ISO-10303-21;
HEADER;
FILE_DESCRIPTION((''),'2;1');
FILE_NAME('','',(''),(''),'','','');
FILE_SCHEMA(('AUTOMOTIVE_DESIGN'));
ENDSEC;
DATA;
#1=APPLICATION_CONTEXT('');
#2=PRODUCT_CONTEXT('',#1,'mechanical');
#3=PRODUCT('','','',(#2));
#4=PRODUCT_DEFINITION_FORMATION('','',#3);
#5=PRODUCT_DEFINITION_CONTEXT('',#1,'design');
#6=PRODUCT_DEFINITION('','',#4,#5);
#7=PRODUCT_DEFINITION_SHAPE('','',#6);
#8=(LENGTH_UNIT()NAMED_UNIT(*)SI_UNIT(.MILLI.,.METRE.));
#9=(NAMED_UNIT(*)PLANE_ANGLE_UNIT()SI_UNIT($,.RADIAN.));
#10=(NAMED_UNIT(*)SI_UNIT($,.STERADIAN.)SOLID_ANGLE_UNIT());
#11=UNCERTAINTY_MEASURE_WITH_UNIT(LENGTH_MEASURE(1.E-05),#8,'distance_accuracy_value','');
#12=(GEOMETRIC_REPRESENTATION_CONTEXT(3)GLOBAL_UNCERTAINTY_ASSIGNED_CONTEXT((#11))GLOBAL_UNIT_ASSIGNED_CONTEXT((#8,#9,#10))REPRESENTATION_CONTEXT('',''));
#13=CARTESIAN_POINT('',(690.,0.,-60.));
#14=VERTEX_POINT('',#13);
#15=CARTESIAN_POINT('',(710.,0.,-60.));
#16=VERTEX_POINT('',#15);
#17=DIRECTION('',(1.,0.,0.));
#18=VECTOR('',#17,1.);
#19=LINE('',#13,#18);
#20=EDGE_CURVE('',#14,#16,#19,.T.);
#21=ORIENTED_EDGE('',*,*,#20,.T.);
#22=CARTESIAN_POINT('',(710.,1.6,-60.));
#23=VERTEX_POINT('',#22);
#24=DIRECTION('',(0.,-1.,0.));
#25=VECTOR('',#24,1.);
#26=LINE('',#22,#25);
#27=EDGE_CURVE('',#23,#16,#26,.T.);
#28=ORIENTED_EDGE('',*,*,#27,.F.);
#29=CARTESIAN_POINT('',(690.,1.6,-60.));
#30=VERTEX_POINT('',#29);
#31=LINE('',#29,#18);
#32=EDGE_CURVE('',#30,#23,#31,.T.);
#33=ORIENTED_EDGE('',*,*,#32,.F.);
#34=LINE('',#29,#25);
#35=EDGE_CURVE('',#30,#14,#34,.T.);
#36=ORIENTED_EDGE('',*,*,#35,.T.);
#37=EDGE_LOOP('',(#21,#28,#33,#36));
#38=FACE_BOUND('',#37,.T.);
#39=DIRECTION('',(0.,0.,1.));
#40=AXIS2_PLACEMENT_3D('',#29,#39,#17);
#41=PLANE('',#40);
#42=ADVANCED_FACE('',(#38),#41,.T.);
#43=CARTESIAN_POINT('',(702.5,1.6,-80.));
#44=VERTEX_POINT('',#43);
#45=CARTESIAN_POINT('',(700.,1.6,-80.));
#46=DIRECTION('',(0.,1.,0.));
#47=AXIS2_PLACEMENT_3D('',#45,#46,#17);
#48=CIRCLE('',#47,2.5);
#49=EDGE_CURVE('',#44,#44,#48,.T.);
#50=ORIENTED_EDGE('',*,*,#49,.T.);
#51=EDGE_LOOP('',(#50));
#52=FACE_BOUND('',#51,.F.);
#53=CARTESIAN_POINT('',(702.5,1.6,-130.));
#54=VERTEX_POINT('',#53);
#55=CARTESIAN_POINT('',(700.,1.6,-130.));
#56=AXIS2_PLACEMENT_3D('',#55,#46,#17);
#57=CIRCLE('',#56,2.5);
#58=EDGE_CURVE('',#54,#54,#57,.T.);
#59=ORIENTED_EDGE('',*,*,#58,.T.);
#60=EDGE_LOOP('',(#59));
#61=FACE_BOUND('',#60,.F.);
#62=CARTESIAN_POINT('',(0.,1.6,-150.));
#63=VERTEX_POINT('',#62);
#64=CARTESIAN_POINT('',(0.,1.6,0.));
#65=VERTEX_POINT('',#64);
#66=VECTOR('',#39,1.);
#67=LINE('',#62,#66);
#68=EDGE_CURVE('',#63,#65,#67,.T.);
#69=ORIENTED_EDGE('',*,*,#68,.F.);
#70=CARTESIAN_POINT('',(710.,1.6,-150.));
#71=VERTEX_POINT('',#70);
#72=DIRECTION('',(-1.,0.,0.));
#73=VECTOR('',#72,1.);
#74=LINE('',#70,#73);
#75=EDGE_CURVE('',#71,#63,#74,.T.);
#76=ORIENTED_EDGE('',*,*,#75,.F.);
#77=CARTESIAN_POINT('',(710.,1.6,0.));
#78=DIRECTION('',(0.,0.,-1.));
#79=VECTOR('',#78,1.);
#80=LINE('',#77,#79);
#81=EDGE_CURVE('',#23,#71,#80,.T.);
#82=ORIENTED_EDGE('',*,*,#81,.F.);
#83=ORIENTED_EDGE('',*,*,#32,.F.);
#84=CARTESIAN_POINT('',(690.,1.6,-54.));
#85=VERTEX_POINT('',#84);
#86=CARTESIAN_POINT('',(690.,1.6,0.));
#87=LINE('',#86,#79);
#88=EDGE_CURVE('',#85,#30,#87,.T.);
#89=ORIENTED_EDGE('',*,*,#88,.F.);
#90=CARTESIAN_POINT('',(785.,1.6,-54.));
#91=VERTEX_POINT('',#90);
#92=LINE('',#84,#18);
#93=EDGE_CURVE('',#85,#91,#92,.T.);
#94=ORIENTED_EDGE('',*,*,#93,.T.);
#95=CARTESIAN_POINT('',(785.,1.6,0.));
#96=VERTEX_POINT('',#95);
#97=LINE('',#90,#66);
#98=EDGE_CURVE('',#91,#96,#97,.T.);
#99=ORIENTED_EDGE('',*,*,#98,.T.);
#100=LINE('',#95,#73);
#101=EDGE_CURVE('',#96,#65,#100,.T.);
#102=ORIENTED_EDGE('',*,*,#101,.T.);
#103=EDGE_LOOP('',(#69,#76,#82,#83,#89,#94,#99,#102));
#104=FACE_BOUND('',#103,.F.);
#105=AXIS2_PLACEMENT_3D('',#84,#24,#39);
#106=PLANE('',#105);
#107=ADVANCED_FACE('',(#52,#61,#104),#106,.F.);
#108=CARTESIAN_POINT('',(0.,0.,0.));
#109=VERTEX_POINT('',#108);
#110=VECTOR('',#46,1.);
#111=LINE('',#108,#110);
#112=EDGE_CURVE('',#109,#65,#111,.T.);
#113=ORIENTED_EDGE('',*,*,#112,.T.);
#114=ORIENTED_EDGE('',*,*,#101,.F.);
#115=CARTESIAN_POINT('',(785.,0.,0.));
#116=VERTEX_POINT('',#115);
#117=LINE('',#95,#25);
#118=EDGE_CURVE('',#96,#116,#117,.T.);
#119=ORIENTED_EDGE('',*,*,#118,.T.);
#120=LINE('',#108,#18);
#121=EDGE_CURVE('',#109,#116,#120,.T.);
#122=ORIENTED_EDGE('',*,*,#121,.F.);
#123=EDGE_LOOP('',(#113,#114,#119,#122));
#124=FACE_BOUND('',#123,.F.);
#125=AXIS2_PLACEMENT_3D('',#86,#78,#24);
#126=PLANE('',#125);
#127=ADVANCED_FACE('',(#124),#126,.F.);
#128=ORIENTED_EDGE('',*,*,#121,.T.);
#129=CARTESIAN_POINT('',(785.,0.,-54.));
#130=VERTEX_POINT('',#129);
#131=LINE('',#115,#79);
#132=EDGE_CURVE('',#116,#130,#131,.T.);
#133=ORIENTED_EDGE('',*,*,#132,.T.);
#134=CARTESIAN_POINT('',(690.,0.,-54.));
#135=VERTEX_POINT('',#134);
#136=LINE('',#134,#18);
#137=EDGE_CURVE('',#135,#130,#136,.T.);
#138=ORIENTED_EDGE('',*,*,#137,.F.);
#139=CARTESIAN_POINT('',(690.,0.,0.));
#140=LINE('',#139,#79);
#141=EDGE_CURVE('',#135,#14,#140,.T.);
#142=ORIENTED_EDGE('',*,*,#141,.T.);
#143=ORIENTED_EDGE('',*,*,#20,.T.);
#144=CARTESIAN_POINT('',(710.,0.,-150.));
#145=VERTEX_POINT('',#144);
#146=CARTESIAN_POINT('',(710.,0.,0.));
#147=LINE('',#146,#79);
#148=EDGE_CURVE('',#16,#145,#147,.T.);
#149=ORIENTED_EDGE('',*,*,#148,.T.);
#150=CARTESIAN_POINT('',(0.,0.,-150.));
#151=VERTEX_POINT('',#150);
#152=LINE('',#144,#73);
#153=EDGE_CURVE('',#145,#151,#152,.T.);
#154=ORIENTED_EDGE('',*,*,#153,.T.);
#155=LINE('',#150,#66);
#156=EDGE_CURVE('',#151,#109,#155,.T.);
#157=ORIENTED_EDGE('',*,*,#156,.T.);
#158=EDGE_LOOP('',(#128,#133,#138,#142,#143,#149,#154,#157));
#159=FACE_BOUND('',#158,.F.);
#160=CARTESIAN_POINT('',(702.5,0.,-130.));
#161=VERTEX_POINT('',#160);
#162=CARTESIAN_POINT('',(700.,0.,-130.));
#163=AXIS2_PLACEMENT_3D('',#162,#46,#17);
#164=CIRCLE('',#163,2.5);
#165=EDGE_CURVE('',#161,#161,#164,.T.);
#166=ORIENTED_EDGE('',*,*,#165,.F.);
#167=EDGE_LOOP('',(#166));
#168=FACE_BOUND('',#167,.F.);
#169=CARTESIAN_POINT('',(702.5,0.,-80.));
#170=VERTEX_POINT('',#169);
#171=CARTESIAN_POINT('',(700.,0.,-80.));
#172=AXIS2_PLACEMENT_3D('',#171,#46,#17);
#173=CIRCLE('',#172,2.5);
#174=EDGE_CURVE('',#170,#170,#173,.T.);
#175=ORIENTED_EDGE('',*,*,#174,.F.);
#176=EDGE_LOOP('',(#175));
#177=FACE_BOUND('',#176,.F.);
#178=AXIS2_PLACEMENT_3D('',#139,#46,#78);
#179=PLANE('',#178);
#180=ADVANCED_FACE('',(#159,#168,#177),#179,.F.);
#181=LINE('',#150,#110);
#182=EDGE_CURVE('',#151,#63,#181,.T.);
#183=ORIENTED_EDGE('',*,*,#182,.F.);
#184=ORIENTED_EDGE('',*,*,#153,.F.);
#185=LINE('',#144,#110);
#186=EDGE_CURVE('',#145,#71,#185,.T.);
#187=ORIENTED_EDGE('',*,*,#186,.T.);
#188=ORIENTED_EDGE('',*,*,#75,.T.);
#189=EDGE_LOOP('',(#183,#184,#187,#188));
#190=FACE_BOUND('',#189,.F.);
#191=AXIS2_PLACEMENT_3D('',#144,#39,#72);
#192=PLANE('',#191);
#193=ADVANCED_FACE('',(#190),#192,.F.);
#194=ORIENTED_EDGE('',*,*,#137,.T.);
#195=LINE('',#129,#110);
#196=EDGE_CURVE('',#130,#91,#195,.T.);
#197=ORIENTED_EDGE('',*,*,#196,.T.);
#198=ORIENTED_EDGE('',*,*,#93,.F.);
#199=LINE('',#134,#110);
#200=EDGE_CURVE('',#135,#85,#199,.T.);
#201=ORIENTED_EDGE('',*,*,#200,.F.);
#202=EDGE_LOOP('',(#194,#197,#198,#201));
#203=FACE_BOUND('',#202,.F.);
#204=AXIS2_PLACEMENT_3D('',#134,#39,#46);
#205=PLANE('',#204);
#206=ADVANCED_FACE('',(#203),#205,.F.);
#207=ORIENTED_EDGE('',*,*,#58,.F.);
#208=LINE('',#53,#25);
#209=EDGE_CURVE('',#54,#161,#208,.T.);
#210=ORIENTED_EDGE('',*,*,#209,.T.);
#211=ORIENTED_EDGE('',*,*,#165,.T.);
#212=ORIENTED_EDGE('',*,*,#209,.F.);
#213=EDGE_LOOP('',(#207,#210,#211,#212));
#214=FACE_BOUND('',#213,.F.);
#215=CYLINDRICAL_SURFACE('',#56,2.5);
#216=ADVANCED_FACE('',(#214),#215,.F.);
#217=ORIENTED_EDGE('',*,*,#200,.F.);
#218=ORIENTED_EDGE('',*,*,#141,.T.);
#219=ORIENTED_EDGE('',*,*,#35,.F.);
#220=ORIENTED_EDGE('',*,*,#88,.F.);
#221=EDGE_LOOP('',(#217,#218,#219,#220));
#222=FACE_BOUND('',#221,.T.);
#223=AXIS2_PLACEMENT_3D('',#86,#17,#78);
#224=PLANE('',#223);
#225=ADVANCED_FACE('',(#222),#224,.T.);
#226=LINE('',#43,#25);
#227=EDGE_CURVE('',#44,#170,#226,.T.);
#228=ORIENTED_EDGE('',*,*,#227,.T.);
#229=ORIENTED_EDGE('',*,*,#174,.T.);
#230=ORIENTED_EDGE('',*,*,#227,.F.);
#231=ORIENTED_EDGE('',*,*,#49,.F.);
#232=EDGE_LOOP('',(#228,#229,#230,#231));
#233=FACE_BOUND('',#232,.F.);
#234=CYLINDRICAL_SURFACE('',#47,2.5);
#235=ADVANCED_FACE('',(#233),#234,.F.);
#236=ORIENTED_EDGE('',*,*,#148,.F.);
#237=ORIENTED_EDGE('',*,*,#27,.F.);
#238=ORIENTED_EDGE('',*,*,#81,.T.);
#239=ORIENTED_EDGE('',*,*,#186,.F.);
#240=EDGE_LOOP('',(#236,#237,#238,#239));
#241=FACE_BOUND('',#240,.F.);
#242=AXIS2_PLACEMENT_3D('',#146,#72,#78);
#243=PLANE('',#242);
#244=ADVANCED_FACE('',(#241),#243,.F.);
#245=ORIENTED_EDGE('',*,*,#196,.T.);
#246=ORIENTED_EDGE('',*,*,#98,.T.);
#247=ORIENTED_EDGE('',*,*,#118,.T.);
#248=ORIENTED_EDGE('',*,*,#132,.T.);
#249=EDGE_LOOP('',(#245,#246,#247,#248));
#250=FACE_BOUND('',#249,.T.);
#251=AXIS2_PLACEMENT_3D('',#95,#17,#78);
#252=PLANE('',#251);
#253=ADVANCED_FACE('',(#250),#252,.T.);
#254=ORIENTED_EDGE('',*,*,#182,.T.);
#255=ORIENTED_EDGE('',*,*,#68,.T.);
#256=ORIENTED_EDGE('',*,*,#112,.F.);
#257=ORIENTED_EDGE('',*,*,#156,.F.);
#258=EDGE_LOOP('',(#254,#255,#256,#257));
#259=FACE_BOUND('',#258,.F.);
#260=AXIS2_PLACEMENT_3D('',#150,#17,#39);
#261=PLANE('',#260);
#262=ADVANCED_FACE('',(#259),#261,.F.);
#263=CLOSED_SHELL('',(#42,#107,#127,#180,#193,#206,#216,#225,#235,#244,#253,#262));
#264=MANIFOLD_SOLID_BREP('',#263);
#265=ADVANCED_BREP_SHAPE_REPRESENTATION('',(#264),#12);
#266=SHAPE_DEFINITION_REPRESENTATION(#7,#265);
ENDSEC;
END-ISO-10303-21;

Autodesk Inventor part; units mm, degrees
ref_plane "YZ Plane" through (0, 0, 0) normal (1, 0, 0) x (0, 1, 0)
ref_plane "XZ Plane" through (0, 0, 0) normal (0, 1, 0) x (-1, 0, 0)
ref_plane "XY Plane" through (0, 0, 0) normal (0, 0, 1) x (1, 0, 0)
sketch "Sketch1" plane through (0, 0, 0) normal (0, 1, 0) x (-1, 0, 0)
  line L0 (0, 0) -> (-710, 0)
  line L1 (-710, 0) -> (-710, -150)
  line L2 (-710, -150) -> (0, -150)
  line L3 (0, -150) -> (0, 0)
  dimension "d0" = 710
  dimension "d1" = 150
extrude "Extrusion1" add sketch "Sketch1" along normal blind 1.6
sketch "Sketch2" plane through (0, 1.6, 0) normal (0, 1, 0) x (1, 0, 0)
  line L0 (710, 0) -> (690, 0)
  line L1 (690, 0) -> (690, 60)
  line L2 (690, 60) -> (710, 60)
  line L3 (710, 60) -> (710, 0)
  circle A0 centre (700, 80) radius 2.5
  circle A1 centre (700, 130) radius 2.5
  line L4 (710, 150) -> (0, 150) projected
  point P0 (0, 0)
  point P1 (700, 60)
  dimension "d6" = 20
  dimension "d7" = 60
  dimension "d10" = 5
  dimension "d11" = 5
  dimension "d12" = 50
  dimension "d13" = 20
extrude "Extrusion3" cut sketch "Sketch2" against normal blind 1.6
sketch "Sketch3" plane through (690, 1.6, 0) normal (1, 0, 0) x (0, 0, -1)
  line L0 (0, -1.6) -> (54, -1.6)
  line L1 (54, -1.6) -> (54, 0)
  line L2 (54, 0) -> (0, 0)
  line L3 (0, 0) -> (0, -1.6)
  dimension "d16" = 54
  dimension "d17" = 1.6
extrude "Extrusion4" add sketch "Sketch3" along normal blind 95
properties part number "X-Axis Panel Left" material "Steel"
